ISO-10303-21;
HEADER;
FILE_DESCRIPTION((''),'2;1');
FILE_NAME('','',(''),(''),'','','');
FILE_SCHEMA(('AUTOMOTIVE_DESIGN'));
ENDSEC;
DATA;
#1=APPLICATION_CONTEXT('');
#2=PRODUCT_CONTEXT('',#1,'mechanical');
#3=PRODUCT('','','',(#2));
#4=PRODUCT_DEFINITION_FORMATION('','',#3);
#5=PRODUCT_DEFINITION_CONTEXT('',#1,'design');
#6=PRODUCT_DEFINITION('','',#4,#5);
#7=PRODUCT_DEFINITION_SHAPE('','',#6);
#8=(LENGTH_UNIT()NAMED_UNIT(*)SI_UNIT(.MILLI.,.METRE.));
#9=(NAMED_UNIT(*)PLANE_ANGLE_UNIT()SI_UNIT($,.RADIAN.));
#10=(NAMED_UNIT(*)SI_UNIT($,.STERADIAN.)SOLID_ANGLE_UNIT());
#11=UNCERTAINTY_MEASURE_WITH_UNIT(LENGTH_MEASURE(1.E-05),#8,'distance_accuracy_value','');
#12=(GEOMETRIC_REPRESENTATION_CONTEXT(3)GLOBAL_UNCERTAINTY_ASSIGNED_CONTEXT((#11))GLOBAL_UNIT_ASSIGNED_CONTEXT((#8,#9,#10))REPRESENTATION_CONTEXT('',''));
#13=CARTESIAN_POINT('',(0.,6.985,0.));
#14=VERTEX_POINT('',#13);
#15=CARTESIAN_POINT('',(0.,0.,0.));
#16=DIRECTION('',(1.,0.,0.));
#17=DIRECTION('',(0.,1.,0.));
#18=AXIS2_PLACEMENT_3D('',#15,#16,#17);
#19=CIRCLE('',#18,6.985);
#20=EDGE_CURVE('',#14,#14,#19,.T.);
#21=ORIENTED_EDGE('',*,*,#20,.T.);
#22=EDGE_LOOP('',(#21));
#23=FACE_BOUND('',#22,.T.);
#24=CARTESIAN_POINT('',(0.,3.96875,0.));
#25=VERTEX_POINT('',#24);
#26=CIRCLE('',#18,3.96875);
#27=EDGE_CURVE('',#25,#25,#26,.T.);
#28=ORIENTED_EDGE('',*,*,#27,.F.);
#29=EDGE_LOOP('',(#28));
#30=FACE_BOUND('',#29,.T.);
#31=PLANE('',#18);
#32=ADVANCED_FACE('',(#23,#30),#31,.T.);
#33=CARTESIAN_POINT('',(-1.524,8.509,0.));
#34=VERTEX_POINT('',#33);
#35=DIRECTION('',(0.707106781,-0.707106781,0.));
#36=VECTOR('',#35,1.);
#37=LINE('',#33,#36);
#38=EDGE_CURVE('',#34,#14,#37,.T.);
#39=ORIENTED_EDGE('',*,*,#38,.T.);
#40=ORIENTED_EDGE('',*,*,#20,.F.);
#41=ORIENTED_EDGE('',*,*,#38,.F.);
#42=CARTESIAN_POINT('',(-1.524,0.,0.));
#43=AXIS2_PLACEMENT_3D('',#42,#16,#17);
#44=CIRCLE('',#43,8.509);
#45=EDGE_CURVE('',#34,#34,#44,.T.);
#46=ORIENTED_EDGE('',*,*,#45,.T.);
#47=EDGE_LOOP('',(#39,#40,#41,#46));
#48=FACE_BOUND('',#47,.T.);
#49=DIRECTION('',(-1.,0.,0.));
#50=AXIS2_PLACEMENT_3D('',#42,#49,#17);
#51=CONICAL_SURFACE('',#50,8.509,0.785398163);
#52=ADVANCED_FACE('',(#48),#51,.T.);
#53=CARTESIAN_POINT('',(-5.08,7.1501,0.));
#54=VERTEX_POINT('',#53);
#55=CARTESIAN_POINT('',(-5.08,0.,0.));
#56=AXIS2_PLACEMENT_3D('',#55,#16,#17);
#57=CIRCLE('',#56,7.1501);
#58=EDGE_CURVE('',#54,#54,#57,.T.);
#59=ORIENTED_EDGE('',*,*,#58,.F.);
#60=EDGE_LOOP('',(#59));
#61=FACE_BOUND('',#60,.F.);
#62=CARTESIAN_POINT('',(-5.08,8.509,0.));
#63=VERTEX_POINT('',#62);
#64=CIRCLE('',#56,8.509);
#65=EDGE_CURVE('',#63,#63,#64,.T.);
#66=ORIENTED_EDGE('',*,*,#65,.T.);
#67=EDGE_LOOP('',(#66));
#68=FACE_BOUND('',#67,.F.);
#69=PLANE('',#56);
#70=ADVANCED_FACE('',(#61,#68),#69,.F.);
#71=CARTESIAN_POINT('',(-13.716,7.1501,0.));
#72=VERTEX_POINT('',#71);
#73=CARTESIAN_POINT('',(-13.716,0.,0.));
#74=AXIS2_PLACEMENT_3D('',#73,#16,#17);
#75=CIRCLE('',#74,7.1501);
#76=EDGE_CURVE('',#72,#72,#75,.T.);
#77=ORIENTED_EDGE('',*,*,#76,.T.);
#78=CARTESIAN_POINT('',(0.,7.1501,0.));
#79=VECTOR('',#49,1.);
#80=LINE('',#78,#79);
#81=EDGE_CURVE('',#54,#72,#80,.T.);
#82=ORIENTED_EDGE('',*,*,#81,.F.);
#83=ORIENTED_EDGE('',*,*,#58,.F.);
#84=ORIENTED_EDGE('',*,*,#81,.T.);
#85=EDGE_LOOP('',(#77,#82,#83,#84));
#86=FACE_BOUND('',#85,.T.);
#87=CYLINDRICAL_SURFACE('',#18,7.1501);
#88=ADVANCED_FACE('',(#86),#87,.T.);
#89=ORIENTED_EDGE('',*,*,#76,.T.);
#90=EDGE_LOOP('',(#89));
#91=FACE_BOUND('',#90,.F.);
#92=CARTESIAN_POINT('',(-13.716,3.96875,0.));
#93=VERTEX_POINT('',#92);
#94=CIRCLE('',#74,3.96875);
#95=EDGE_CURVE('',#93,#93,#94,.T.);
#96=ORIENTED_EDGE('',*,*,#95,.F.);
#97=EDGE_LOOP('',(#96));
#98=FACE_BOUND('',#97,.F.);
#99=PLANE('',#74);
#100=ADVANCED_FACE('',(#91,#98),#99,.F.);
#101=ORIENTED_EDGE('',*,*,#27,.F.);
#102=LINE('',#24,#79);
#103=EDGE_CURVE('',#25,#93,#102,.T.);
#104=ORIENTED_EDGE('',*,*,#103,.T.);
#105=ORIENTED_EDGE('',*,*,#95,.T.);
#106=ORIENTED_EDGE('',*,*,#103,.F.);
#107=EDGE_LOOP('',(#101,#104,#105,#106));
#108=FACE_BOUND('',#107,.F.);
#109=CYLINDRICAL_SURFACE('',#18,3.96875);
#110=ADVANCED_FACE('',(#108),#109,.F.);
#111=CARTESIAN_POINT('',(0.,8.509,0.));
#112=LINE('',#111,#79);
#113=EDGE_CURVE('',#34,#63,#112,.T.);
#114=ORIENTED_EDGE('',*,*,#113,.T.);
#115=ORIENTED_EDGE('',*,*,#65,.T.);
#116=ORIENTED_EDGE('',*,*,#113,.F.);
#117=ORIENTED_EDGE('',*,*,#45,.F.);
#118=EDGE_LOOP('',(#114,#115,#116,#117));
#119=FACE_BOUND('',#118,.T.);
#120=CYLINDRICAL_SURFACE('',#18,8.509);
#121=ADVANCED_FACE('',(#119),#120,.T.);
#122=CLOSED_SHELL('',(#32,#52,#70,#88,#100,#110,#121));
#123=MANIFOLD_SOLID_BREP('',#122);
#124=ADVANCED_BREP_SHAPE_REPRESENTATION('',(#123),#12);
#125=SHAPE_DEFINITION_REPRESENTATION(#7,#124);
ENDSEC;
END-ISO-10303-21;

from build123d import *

# Parameters (mm, degrees)
F0_R     = 7.1501
F0_R_2   = 3.96875
F1_DEPTH = 13.716
F0_R_3   = 8.509
F2_DEPTH = 5.08
F3_SIZE  = 1.524


with BuildPart() as f1:
    # F0 (on Right) → F1 (new body)
    with BuildSketch(Plane.YZ):
        Circle(F0_R)
        Circle(F0_R_2, mode=Mode.SUBTRACT)
    extrude(amount=-F1_DEPTH)

    # F0 (on Right) → F2 (join)
    with BuildSketch(Plane.YZ):
        Circle(F0_R_3)
        Circle(F0_R, mode=Mode.SUBTRACT)
    extrude(amount=-F2_DEPTH)

    # F3
    f3_edges = [f1.edges().sort_by_distance(p)[0] for p in [
        (0, -8.509, 0),
    ]]
    chamfer(f3_edges, length=F3_SIZE)


solid = f1.part
